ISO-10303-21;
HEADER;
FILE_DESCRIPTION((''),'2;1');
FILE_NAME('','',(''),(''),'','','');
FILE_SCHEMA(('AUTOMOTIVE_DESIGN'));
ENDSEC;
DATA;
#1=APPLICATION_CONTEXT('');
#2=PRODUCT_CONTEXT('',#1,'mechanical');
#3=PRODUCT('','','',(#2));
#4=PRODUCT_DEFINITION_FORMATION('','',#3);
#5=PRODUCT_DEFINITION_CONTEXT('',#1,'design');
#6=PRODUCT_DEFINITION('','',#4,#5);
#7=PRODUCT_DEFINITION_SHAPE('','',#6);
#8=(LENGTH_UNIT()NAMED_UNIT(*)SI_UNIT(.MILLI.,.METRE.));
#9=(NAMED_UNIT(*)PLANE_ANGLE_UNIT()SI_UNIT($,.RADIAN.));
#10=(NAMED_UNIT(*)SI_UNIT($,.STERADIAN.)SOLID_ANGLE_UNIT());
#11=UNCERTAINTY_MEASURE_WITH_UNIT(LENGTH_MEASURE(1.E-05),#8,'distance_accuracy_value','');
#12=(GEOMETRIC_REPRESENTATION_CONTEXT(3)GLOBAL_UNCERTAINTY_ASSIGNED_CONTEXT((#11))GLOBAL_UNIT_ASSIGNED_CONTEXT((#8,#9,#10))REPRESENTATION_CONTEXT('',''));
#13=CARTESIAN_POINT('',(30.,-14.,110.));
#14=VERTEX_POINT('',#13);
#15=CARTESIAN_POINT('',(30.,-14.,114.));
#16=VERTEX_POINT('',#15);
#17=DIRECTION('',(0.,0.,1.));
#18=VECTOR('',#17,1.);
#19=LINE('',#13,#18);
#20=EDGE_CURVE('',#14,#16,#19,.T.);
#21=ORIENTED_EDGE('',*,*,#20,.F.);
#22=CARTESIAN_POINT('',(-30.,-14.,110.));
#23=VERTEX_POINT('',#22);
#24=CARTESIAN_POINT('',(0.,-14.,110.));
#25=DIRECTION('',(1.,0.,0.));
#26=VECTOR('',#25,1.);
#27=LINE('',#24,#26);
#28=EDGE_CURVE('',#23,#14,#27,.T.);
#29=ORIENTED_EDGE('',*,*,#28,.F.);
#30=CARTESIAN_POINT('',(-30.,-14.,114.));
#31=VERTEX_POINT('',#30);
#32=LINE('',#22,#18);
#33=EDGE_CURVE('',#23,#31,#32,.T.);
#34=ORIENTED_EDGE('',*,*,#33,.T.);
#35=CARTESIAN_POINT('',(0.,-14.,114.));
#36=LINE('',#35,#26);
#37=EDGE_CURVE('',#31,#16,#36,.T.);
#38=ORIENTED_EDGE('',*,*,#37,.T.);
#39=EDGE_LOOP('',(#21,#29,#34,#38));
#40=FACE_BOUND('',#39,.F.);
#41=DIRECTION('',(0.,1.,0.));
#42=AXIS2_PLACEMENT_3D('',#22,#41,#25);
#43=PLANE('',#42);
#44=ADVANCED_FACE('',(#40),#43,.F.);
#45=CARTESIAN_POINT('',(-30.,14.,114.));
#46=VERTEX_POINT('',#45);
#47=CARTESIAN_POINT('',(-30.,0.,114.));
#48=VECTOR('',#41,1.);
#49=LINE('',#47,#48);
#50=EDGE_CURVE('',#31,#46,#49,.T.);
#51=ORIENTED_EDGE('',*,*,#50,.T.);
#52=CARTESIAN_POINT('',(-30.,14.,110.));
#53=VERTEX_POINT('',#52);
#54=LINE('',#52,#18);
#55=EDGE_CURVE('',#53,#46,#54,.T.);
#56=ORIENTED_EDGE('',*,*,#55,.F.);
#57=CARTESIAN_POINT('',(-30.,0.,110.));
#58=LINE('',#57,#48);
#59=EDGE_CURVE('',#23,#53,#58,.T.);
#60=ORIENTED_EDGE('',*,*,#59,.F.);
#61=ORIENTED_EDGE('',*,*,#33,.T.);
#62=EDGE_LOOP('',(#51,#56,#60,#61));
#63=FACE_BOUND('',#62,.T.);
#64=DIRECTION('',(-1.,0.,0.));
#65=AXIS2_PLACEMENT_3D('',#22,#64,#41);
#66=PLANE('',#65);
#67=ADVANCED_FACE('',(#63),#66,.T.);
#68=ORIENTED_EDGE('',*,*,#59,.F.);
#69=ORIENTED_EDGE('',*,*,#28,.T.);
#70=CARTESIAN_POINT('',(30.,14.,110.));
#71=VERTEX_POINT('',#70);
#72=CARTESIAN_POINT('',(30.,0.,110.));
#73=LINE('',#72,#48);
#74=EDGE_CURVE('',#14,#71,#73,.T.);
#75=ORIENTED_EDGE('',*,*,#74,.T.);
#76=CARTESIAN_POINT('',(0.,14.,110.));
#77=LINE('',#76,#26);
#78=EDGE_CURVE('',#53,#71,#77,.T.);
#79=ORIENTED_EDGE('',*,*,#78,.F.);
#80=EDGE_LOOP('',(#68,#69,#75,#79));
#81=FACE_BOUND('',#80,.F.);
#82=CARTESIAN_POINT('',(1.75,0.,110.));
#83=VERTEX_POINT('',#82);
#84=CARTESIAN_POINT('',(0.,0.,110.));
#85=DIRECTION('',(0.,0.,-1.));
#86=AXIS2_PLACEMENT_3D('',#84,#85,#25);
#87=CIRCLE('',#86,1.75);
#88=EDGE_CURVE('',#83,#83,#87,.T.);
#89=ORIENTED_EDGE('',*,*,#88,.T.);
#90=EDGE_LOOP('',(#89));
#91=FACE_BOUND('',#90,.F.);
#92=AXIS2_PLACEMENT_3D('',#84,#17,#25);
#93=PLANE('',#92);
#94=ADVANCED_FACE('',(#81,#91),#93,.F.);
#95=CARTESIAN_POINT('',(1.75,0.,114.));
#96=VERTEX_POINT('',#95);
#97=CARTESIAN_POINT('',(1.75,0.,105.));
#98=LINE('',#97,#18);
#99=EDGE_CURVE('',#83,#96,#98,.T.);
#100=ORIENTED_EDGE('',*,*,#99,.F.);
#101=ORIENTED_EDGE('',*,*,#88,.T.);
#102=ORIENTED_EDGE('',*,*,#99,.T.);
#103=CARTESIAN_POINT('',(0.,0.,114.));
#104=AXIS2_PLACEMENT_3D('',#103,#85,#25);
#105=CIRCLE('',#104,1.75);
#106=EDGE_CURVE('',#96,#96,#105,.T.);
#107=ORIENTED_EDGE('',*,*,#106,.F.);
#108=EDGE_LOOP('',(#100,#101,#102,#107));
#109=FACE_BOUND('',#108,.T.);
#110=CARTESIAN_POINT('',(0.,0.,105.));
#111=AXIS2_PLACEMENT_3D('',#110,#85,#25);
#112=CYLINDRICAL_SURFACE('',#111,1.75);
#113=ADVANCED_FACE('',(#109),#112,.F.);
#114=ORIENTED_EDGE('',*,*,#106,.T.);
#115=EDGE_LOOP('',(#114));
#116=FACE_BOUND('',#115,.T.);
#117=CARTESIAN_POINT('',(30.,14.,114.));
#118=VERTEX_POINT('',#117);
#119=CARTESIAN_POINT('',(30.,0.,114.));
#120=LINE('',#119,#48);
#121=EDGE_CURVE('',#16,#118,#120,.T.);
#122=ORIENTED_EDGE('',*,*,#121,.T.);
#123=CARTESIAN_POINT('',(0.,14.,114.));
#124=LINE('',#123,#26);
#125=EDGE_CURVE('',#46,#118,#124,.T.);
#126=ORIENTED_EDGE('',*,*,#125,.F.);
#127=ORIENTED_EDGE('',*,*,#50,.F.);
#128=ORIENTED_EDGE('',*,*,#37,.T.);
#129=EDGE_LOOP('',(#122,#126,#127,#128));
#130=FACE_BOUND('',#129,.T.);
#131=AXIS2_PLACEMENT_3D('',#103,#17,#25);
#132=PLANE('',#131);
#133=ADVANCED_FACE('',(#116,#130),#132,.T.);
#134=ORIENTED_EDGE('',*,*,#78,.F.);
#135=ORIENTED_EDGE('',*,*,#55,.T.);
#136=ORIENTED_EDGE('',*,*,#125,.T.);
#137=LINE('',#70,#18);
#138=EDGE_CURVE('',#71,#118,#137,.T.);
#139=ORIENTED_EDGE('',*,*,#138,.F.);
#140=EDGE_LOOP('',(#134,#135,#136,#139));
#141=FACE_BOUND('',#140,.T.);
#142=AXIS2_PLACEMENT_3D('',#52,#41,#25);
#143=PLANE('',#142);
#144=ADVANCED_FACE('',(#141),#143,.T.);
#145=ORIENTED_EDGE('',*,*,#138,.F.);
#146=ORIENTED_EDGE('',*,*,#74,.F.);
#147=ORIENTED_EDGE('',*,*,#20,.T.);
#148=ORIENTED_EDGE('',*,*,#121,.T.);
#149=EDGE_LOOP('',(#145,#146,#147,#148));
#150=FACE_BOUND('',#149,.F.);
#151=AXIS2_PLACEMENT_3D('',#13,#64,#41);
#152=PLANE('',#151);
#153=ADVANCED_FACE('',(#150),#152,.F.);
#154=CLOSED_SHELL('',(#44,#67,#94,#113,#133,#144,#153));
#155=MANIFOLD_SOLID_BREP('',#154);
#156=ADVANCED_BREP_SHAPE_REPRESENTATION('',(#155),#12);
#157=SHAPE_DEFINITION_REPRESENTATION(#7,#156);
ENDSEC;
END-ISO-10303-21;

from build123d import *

# Parameters (mm, degrees)
CYLINDER009_R     = 1.75
CYLINDER009_DEPTH = 20
BOX006_W          = 60
BOX006_H          = 28
BOX006_DEPTH      = 4


with BuildPart() as cylinder009:
    # Cylinder009 → Cylinder009 (new body)
    with BuildSketch(Plane.XY.offset(105)):
        Circle(CYLINDER009_R)
    extrude(amount=CYLINDER009_DEPTH)


with BuildPart() as igp_cap:
    # Box006 → Box006 (new body)
    with BuildSketch(Plane(origin=(-30, -14, 110), x_dir=(1, 0, 0), z_dir=(0, 0, 1))):
        with Locations((30, 14)):
            Rectangle(BOX006_W, BOX006_H)
    extrude(amount=BOX006_DEPTH)

    # Cut010: cut Cylinder009
    add(cylinder009.part, mode=Mode.SUBTRACT)


solid = igp_cap.part
